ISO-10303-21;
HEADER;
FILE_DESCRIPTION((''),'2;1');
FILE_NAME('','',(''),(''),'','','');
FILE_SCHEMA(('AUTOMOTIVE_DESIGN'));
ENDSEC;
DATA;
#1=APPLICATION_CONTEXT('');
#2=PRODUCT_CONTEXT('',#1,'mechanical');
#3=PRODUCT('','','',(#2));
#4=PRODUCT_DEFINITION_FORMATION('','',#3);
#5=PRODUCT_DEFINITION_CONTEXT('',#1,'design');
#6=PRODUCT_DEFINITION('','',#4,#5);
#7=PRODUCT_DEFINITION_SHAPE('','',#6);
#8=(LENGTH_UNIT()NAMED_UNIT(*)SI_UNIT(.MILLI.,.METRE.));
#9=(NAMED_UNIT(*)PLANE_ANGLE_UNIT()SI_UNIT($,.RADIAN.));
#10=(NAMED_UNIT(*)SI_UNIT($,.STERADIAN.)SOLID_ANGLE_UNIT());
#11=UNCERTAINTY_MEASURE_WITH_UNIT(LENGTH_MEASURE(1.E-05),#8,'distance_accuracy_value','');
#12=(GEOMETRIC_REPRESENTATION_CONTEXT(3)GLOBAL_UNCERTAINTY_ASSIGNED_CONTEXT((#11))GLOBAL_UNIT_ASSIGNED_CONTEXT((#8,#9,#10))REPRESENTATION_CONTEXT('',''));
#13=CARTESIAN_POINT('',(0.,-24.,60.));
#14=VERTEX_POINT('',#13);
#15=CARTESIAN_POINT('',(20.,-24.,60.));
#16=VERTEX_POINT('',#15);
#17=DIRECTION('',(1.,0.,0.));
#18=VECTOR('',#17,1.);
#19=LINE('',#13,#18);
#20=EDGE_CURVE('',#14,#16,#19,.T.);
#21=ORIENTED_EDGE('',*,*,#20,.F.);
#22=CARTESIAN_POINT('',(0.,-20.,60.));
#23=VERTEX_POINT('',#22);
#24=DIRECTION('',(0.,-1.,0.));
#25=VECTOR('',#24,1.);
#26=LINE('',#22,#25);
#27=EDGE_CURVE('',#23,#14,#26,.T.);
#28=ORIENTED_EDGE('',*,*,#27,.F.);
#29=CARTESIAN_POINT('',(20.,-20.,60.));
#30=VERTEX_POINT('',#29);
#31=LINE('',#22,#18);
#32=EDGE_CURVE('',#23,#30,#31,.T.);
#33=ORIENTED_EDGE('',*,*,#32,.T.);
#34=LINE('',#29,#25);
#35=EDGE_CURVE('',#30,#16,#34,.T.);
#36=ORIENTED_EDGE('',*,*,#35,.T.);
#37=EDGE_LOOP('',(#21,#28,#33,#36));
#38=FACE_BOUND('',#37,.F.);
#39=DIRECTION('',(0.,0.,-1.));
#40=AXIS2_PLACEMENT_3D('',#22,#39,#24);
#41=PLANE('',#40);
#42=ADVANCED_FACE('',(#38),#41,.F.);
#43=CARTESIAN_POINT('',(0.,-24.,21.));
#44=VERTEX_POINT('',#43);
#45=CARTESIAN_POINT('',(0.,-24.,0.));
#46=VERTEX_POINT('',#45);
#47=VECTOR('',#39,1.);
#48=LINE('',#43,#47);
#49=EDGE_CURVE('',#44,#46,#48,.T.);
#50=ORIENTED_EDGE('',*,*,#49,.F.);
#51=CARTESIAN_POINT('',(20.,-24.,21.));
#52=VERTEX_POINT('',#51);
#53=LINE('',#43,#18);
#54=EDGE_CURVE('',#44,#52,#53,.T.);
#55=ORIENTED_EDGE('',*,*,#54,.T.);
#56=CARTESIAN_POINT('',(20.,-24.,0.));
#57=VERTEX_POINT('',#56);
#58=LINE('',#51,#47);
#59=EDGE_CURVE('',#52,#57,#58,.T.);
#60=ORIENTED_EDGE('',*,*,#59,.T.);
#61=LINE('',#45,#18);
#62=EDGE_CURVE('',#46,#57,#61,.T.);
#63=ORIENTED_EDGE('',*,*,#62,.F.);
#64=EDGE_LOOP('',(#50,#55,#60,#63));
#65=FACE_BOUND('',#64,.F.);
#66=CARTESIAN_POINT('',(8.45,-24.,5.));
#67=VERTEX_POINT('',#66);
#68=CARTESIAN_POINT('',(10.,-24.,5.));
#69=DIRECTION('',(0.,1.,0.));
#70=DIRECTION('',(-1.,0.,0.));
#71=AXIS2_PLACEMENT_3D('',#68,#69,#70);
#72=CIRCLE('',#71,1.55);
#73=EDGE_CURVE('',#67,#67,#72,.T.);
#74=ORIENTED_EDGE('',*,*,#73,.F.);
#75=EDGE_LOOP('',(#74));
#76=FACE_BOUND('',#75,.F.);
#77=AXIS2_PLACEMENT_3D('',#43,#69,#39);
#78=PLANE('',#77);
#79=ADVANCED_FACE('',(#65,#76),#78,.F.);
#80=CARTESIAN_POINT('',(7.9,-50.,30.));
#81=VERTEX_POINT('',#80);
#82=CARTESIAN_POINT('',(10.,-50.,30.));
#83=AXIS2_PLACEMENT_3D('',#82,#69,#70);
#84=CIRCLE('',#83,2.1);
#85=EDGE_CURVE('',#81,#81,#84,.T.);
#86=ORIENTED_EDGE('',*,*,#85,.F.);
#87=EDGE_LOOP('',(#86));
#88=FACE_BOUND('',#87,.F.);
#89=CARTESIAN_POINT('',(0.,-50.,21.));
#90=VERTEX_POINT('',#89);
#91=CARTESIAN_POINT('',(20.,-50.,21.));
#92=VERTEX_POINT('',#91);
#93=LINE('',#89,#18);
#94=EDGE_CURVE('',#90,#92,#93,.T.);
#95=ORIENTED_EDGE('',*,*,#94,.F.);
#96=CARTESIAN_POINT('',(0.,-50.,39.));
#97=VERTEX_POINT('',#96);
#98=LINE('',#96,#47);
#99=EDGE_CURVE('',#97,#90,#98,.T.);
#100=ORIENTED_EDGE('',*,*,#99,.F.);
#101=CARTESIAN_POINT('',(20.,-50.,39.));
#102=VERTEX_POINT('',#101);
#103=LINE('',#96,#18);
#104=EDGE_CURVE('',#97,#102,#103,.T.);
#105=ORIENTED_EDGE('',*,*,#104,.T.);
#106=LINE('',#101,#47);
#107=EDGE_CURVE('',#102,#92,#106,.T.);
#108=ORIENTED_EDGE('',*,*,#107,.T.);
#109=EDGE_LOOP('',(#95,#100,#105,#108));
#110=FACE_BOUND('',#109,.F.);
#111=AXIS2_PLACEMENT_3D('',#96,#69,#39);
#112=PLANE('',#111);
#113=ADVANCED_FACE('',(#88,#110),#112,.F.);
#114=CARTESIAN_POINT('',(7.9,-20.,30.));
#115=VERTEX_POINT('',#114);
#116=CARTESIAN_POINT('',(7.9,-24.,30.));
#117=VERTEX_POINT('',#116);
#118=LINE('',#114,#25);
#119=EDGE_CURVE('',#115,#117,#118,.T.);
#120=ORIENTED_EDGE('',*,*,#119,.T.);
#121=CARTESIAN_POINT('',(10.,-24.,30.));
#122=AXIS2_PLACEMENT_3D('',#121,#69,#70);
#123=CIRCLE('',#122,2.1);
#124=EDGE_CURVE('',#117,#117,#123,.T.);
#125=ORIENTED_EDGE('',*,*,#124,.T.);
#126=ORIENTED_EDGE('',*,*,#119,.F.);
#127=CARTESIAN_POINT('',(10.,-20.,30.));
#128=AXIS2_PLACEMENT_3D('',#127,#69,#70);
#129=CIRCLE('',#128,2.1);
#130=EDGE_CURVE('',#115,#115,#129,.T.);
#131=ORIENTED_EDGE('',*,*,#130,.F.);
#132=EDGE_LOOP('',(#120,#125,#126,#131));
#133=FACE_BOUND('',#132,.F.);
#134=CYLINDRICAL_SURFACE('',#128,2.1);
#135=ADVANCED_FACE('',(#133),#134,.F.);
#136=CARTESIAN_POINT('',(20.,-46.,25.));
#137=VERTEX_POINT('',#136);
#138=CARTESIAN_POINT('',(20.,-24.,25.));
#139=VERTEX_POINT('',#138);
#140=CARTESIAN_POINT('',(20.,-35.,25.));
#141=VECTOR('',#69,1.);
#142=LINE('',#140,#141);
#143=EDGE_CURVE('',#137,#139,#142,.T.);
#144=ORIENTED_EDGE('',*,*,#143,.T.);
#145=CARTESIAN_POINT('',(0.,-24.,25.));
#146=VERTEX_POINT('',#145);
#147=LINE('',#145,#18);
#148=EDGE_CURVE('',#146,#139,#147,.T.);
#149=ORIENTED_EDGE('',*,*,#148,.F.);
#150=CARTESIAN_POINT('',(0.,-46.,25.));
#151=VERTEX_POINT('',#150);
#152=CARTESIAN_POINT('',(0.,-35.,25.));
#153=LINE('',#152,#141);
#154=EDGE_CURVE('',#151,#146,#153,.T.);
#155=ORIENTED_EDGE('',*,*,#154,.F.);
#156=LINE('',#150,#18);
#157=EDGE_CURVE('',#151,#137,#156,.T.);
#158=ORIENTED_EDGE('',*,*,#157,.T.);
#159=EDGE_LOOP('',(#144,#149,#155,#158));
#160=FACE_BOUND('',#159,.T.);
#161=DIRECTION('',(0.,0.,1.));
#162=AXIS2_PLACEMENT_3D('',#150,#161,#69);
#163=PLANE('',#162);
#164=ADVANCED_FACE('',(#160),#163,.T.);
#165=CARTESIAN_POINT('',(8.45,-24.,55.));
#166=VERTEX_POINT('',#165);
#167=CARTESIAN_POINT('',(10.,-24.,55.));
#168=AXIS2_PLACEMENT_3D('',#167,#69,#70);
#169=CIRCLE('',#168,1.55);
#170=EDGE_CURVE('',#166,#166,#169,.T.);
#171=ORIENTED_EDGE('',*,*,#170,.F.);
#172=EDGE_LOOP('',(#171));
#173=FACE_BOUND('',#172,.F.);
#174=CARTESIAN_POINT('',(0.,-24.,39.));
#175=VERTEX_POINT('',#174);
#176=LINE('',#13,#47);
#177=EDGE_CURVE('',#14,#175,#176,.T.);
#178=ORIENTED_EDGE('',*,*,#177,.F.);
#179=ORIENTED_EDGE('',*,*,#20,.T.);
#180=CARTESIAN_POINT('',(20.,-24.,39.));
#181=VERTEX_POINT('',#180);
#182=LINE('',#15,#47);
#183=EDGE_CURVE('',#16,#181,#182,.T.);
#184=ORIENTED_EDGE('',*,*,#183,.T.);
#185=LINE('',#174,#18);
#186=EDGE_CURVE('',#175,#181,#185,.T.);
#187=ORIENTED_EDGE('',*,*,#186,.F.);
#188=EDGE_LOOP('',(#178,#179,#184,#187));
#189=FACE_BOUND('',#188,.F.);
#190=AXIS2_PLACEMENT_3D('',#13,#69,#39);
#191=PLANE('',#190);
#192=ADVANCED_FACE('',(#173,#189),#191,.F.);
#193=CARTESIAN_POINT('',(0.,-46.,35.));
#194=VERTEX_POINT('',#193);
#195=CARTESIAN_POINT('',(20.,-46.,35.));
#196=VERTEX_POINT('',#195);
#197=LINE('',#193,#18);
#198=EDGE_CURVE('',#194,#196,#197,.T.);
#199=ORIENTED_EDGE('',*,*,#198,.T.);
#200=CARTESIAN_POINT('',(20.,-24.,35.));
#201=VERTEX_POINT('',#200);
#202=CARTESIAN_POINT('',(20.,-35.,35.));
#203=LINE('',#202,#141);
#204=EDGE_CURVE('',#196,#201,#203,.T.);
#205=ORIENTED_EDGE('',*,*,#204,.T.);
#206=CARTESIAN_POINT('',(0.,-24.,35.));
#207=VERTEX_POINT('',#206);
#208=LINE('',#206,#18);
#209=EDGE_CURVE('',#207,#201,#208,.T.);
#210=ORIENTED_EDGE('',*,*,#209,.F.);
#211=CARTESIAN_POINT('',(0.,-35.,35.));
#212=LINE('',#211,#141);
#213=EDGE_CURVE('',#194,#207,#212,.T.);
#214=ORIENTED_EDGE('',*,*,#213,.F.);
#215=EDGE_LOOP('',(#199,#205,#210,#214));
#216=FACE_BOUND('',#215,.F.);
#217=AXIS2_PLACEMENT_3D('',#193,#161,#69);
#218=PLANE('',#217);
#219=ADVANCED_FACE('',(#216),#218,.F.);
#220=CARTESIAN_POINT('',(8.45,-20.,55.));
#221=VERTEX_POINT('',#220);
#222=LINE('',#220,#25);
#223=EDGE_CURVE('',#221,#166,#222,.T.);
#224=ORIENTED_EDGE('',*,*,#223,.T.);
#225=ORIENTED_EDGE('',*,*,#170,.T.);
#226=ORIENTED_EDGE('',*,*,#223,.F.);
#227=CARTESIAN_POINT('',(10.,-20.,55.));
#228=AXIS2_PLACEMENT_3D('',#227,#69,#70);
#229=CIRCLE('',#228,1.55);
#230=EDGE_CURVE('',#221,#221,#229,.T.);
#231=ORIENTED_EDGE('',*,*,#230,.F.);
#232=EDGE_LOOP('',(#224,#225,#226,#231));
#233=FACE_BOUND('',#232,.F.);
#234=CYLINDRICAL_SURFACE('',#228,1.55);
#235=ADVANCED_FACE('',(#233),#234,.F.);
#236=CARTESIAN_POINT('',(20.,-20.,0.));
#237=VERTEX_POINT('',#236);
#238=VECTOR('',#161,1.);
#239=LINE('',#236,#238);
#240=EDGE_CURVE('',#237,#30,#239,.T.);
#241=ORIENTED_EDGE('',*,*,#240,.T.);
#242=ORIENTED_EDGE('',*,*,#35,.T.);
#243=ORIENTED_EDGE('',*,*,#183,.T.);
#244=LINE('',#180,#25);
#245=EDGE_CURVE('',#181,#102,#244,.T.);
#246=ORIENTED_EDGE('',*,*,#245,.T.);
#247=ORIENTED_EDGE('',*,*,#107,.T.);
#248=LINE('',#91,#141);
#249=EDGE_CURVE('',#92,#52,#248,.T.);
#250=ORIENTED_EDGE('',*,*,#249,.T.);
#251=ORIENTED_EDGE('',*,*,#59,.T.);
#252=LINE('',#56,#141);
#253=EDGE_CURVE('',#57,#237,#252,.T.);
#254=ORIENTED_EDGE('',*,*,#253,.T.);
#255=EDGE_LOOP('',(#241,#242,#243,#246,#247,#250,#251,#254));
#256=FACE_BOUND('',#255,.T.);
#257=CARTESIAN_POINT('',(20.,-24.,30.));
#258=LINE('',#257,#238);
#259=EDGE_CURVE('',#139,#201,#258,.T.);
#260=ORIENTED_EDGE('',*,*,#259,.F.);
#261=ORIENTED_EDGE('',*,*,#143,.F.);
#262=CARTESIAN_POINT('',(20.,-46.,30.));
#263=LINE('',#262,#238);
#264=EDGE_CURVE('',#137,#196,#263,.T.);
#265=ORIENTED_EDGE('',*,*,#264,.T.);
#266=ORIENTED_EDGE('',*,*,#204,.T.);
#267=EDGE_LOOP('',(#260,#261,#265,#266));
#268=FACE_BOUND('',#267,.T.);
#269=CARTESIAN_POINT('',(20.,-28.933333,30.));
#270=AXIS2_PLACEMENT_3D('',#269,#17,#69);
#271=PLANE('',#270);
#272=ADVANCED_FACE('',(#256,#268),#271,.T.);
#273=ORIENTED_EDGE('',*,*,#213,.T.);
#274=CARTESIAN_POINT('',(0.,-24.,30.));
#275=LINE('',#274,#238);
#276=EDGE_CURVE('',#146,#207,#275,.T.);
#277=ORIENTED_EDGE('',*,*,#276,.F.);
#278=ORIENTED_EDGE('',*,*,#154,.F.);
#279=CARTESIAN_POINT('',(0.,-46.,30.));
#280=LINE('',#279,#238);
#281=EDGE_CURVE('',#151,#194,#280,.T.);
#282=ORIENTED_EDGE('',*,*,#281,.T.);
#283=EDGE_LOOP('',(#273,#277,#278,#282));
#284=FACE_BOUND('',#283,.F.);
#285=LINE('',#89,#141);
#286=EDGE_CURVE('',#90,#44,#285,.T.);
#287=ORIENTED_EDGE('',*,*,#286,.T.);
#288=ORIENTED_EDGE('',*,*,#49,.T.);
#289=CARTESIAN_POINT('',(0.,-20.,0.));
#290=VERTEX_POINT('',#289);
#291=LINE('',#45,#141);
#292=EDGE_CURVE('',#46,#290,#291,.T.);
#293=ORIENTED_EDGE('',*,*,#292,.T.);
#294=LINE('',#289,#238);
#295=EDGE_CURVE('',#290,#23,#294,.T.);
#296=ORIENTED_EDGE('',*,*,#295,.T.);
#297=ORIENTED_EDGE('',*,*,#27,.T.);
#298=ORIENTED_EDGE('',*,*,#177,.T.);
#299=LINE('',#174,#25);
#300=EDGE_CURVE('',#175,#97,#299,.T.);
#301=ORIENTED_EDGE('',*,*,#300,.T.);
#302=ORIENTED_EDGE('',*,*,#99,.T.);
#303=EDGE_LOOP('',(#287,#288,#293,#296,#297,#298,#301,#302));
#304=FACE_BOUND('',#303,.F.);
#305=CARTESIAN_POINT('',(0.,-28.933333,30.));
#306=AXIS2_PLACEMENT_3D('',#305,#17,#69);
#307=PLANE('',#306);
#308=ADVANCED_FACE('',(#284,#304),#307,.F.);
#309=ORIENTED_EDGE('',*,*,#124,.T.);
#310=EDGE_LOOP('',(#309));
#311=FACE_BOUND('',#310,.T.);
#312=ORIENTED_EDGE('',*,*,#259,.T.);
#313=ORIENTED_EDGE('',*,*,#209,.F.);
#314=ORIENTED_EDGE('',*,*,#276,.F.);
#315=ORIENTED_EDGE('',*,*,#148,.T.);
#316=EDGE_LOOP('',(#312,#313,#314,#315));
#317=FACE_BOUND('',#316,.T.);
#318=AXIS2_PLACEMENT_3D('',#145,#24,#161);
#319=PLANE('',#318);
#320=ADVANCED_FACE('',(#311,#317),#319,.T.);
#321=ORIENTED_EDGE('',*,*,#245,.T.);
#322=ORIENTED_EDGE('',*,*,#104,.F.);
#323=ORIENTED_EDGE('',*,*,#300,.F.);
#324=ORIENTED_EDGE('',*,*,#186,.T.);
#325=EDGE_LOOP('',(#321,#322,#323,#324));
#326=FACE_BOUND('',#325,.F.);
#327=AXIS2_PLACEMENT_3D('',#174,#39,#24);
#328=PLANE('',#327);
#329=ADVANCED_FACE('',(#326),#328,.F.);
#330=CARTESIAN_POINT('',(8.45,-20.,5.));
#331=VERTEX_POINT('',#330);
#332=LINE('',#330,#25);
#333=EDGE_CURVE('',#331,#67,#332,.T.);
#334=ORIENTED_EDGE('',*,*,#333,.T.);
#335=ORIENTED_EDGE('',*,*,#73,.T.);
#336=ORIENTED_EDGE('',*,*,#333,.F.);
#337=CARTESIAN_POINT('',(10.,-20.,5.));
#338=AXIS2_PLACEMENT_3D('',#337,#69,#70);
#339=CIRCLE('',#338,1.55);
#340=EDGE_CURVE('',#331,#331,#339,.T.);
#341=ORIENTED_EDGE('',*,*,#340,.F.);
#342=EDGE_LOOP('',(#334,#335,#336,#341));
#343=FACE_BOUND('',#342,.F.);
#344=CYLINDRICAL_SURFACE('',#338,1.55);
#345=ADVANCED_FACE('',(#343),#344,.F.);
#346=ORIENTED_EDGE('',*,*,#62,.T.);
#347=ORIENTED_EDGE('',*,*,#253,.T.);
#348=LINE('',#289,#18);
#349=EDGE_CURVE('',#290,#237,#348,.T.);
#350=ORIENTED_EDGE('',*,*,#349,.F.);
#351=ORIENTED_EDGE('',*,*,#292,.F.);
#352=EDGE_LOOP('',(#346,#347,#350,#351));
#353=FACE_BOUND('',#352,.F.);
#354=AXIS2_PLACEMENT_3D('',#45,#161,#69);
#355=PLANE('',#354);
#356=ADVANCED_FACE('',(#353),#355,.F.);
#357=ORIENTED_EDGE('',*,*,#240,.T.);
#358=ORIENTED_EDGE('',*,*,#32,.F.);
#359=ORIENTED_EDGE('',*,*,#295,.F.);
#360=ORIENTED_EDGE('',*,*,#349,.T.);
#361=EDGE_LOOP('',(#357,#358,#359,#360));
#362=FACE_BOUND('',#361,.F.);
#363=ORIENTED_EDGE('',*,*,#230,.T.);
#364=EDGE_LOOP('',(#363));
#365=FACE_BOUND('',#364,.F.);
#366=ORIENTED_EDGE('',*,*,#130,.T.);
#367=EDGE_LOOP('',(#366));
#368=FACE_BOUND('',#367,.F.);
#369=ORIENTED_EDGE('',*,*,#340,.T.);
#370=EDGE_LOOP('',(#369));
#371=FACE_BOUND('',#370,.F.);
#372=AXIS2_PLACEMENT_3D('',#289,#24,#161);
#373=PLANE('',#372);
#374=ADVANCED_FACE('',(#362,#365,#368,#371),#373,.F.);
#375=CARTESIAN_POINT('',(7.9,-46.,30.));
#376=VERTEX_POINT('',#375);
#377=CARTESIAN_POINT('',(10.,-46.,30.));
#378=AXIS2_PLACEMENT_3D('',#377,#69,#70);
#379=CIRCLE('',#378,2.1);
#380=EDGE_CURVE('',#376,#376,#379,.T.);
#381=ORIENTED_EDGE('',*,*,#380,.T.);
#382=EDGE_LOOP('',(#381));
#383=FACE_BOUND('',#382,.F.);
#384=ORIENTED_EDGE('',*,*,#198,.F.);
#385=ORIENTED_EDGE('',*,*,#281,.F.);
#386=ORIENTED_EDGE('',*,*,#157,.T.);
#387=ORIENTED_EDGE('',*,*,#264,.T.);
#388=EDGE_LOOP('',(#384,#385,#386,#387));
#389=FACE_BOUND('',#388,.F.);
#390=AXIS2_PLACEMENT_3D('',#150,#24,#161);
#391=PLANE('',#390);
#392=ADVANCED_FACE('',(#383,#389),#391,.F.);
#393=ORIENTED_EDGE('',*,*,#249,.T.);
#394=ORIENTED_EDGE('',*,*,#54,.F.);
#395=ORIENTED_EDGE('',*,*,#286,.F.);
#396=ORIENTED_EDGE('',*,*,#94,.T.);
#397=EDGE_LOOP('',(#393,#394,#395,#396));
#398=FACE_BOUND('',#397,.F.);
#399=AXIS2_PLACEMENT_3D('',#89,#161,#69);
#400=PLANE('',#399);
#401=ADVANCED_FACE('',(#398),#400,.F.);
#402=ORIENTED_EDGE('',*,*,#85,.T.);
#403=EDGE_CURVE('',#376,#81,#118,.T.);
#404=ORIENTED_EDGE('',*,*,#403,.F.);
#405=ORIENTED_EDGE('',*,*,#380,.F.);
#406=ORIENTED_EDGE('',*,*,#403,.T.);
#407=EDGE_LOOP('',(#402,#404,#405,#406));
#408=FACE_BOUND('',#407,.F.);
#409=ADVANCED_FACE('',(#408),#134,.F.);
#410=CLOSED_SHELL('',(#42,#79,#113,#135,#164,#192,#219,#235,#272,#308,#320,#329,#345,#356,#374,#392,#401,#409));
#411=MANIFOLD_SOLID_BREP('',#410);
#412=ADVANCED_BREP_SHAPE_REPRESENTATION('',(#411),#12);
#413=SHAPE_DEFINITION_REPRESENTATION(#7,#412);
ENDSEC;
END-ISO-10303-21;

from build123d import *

# Parameters (mm, degrees)
F0_W     = 22
F0_H     = 10
F1_DEPTH = 20
F2_R     = 1.55
F2_R_2   = 2.1
F3_DEPTH = 30.001


with BuildPart() as f1:
    # F0 (on Right) → F1 (new body)
    with BuildSketch(Plane.YZ):
        Polygon((-24, 0), (-20, 0), (-20, 60), (-24, 60), (-24, 39), (-50, 39), (-50, 21), (-24, 21), align=None)
        with Locations((-35, 30)):
            Rectangle(F0_W, F0_H, mode=Mode.SUBTRACT)
    extrude(amount=F1_DEPTH)

    # F2 (on face) → F3 (cut, through all)
    with BuildSketch(Plane(origin=(0, -20, 0), x_dir=(-1, 0, 0), z_dir=(0, 1, 0))):
        with Locations((-10, 55)):
            Circle(F2_R)
        with Locations((-10, 5)):
            Circle(F2_R)
        with Locations((-10, 30)):
            Circle(F2_R_2)
    extrude(amount=-F3_DEPTH, mode=Mode.SUBTRACT)


solid = f1.part
